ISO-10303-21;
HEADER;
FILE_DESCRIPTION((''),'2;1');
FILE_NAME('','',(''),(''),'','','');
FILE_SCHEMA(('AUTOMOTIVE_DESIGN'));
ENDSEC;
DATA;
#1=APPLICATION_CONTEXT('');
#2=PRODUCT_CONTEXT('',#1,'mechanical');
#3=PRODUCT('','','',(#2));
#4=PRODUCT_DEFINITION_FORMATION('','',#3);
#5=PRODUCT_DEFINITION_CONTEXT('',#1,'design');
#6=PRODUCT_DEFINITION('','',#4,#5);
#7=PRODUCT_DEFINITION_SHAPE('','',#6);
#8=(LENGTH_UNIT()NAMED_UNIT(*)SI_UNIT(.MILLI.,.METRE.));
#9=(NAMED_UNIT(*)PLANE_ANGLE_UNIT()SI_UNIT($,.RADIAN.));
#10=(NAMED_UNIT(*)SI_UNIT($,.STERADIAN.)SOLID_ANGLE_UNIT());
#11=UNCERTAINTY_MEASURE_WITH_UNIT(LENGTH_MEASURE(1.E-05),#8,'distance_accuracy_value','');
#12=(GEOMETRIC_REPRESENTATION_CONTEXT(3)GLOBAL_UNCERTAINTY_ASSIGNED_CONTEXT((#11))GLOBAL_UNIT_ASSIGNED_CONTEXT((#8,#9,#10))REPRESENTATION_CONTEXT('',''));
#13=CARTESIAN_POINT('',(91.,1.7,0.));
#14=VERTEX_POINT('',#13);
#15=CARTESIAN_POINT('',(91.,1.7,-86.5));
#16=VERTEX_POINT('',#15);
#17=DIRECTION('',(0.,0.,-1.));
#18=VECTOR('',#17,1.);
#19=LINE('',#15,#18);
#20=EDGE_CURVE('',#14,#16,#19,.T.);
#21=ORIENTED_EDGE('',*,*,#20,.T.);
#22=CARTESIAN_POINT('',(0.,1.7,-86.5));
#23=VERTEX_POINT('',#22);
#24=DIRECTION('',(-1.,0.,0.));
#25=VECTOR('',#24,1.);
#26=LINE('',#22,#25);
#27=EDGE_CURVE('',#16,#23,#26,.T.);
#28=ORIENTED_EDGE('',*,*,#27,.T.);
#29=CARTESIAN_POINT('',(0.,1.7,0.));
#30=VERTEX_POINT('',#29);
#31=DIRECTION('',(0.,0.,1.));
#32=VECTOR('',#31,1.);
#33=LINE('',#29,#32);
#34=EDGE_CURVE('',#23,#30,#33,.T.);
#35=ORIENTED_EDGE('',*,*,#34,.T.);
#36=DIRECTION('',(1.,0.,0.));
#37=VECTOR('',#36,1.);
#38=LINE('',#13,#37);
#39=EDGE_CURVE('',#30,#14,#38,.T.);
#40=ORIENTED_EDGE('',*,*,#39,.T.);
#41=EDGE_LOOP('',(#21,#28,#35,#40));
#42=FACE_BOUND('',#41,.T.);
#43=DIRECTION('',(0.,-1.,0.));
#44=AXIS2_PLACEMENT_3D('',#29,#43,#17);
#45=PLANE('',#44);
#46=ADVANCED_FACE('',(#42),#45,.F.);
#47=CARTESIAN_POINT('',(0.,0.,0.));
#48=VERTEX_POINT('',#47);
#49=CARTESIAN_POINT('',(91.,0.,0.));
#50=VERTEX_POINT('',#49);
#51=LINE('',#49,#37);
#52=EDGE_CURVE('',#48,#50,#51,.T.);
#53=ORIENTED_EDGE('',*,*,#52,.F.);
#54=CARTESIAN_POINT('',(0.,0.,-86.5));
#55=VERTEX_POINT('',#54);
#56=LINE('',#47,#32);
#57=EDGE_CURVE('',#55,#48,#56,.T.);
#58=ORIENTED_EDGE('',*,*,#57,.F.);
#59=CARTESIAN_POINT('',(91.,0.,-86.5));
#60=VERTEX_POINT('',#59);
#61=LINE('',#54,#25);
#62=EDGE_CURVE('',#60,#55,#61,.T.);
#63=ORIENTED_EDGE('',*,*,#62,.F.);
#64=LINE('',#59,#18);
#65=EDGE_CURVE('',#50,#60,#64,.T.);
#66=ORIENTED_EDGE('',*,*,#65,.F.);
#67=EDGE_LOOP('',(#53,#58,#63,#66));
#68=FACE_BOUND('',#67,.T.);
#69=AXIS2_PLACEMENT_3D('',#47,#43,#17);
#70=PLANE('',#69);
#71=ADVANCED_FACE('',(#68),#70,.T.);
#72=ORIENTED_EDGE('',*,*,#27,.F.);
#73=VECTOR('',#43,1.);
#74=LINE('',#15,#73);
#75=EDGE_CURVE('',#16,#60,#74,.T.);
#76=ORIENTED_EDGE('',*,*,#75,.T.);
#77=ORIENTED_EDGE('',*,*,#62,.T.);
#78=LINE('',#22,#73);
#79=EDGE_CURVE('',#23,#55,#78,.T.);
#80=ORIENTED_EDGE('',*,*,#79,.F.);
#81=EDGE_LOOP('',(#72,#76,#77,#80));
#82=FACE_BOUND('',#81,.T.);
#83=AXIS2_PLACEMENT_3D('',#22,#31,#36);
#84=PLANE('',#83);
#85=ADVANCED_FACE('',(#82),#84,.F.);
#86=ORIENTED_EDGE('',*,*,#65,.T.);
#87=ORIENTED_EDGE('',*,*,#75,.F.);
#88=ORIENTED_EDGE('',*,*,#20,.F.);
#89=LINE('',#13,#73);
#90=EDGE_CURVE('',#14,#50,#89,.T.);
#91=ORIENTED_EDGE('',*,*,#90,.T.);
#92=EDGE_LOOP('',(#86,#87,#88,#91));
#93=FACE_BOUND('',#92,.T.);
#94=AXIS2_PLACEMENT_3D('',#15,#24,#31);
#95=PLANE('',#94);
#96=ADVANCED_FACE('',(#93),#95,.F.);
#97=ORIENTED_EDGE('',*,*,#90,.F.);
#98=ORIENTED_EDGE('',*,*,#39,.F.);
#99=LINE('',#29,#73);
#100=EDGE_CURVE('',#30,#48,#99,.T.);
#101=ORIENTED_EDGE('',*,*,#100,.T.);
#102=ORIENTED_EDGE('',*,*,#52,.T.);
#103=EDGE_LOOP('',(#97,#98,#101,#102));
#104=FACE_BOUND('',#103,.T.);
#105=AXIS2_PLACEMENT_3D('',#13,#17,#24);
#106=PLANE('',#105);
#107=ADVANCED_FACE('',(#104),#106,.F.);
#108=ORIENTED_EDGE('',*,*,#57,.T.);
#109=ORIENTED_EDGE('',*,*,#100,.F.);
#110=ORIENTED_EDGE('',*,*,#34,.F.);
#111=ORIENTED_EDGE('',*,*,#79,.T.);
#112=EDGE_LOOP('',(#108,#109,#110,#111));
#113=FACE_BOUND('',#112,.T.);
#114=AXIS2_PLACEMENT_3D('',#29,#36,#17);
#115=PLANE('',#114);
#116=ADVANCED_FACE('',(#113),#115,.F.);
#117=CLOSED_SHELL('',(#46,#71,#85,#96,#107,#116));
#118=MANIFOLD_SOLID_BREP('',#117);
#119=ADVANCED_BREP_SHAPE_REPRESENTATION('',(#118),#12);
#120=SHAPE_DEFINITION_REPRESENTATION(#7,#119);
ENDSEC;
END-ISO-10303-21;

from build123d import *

# Parameters (mm, degrees)
SKETCH2_W = 91
SKETCH2_H = 86.5
PCB_DEPTH = 1.7


with BuildPart() as part:
    # Sketch2 → PCB (new body)
    with BuildSketch(Plane(origin=(0, 0, 0), x_dir=(1, 0, 0), z_dir=(0, 1, 0))):
        with Locations((45.5, 43.25)):
            Rectangle(SKETCH2_W, SKETCH2_H)
    extrude(amount=PCB_DEPTH)


solid = part.part
